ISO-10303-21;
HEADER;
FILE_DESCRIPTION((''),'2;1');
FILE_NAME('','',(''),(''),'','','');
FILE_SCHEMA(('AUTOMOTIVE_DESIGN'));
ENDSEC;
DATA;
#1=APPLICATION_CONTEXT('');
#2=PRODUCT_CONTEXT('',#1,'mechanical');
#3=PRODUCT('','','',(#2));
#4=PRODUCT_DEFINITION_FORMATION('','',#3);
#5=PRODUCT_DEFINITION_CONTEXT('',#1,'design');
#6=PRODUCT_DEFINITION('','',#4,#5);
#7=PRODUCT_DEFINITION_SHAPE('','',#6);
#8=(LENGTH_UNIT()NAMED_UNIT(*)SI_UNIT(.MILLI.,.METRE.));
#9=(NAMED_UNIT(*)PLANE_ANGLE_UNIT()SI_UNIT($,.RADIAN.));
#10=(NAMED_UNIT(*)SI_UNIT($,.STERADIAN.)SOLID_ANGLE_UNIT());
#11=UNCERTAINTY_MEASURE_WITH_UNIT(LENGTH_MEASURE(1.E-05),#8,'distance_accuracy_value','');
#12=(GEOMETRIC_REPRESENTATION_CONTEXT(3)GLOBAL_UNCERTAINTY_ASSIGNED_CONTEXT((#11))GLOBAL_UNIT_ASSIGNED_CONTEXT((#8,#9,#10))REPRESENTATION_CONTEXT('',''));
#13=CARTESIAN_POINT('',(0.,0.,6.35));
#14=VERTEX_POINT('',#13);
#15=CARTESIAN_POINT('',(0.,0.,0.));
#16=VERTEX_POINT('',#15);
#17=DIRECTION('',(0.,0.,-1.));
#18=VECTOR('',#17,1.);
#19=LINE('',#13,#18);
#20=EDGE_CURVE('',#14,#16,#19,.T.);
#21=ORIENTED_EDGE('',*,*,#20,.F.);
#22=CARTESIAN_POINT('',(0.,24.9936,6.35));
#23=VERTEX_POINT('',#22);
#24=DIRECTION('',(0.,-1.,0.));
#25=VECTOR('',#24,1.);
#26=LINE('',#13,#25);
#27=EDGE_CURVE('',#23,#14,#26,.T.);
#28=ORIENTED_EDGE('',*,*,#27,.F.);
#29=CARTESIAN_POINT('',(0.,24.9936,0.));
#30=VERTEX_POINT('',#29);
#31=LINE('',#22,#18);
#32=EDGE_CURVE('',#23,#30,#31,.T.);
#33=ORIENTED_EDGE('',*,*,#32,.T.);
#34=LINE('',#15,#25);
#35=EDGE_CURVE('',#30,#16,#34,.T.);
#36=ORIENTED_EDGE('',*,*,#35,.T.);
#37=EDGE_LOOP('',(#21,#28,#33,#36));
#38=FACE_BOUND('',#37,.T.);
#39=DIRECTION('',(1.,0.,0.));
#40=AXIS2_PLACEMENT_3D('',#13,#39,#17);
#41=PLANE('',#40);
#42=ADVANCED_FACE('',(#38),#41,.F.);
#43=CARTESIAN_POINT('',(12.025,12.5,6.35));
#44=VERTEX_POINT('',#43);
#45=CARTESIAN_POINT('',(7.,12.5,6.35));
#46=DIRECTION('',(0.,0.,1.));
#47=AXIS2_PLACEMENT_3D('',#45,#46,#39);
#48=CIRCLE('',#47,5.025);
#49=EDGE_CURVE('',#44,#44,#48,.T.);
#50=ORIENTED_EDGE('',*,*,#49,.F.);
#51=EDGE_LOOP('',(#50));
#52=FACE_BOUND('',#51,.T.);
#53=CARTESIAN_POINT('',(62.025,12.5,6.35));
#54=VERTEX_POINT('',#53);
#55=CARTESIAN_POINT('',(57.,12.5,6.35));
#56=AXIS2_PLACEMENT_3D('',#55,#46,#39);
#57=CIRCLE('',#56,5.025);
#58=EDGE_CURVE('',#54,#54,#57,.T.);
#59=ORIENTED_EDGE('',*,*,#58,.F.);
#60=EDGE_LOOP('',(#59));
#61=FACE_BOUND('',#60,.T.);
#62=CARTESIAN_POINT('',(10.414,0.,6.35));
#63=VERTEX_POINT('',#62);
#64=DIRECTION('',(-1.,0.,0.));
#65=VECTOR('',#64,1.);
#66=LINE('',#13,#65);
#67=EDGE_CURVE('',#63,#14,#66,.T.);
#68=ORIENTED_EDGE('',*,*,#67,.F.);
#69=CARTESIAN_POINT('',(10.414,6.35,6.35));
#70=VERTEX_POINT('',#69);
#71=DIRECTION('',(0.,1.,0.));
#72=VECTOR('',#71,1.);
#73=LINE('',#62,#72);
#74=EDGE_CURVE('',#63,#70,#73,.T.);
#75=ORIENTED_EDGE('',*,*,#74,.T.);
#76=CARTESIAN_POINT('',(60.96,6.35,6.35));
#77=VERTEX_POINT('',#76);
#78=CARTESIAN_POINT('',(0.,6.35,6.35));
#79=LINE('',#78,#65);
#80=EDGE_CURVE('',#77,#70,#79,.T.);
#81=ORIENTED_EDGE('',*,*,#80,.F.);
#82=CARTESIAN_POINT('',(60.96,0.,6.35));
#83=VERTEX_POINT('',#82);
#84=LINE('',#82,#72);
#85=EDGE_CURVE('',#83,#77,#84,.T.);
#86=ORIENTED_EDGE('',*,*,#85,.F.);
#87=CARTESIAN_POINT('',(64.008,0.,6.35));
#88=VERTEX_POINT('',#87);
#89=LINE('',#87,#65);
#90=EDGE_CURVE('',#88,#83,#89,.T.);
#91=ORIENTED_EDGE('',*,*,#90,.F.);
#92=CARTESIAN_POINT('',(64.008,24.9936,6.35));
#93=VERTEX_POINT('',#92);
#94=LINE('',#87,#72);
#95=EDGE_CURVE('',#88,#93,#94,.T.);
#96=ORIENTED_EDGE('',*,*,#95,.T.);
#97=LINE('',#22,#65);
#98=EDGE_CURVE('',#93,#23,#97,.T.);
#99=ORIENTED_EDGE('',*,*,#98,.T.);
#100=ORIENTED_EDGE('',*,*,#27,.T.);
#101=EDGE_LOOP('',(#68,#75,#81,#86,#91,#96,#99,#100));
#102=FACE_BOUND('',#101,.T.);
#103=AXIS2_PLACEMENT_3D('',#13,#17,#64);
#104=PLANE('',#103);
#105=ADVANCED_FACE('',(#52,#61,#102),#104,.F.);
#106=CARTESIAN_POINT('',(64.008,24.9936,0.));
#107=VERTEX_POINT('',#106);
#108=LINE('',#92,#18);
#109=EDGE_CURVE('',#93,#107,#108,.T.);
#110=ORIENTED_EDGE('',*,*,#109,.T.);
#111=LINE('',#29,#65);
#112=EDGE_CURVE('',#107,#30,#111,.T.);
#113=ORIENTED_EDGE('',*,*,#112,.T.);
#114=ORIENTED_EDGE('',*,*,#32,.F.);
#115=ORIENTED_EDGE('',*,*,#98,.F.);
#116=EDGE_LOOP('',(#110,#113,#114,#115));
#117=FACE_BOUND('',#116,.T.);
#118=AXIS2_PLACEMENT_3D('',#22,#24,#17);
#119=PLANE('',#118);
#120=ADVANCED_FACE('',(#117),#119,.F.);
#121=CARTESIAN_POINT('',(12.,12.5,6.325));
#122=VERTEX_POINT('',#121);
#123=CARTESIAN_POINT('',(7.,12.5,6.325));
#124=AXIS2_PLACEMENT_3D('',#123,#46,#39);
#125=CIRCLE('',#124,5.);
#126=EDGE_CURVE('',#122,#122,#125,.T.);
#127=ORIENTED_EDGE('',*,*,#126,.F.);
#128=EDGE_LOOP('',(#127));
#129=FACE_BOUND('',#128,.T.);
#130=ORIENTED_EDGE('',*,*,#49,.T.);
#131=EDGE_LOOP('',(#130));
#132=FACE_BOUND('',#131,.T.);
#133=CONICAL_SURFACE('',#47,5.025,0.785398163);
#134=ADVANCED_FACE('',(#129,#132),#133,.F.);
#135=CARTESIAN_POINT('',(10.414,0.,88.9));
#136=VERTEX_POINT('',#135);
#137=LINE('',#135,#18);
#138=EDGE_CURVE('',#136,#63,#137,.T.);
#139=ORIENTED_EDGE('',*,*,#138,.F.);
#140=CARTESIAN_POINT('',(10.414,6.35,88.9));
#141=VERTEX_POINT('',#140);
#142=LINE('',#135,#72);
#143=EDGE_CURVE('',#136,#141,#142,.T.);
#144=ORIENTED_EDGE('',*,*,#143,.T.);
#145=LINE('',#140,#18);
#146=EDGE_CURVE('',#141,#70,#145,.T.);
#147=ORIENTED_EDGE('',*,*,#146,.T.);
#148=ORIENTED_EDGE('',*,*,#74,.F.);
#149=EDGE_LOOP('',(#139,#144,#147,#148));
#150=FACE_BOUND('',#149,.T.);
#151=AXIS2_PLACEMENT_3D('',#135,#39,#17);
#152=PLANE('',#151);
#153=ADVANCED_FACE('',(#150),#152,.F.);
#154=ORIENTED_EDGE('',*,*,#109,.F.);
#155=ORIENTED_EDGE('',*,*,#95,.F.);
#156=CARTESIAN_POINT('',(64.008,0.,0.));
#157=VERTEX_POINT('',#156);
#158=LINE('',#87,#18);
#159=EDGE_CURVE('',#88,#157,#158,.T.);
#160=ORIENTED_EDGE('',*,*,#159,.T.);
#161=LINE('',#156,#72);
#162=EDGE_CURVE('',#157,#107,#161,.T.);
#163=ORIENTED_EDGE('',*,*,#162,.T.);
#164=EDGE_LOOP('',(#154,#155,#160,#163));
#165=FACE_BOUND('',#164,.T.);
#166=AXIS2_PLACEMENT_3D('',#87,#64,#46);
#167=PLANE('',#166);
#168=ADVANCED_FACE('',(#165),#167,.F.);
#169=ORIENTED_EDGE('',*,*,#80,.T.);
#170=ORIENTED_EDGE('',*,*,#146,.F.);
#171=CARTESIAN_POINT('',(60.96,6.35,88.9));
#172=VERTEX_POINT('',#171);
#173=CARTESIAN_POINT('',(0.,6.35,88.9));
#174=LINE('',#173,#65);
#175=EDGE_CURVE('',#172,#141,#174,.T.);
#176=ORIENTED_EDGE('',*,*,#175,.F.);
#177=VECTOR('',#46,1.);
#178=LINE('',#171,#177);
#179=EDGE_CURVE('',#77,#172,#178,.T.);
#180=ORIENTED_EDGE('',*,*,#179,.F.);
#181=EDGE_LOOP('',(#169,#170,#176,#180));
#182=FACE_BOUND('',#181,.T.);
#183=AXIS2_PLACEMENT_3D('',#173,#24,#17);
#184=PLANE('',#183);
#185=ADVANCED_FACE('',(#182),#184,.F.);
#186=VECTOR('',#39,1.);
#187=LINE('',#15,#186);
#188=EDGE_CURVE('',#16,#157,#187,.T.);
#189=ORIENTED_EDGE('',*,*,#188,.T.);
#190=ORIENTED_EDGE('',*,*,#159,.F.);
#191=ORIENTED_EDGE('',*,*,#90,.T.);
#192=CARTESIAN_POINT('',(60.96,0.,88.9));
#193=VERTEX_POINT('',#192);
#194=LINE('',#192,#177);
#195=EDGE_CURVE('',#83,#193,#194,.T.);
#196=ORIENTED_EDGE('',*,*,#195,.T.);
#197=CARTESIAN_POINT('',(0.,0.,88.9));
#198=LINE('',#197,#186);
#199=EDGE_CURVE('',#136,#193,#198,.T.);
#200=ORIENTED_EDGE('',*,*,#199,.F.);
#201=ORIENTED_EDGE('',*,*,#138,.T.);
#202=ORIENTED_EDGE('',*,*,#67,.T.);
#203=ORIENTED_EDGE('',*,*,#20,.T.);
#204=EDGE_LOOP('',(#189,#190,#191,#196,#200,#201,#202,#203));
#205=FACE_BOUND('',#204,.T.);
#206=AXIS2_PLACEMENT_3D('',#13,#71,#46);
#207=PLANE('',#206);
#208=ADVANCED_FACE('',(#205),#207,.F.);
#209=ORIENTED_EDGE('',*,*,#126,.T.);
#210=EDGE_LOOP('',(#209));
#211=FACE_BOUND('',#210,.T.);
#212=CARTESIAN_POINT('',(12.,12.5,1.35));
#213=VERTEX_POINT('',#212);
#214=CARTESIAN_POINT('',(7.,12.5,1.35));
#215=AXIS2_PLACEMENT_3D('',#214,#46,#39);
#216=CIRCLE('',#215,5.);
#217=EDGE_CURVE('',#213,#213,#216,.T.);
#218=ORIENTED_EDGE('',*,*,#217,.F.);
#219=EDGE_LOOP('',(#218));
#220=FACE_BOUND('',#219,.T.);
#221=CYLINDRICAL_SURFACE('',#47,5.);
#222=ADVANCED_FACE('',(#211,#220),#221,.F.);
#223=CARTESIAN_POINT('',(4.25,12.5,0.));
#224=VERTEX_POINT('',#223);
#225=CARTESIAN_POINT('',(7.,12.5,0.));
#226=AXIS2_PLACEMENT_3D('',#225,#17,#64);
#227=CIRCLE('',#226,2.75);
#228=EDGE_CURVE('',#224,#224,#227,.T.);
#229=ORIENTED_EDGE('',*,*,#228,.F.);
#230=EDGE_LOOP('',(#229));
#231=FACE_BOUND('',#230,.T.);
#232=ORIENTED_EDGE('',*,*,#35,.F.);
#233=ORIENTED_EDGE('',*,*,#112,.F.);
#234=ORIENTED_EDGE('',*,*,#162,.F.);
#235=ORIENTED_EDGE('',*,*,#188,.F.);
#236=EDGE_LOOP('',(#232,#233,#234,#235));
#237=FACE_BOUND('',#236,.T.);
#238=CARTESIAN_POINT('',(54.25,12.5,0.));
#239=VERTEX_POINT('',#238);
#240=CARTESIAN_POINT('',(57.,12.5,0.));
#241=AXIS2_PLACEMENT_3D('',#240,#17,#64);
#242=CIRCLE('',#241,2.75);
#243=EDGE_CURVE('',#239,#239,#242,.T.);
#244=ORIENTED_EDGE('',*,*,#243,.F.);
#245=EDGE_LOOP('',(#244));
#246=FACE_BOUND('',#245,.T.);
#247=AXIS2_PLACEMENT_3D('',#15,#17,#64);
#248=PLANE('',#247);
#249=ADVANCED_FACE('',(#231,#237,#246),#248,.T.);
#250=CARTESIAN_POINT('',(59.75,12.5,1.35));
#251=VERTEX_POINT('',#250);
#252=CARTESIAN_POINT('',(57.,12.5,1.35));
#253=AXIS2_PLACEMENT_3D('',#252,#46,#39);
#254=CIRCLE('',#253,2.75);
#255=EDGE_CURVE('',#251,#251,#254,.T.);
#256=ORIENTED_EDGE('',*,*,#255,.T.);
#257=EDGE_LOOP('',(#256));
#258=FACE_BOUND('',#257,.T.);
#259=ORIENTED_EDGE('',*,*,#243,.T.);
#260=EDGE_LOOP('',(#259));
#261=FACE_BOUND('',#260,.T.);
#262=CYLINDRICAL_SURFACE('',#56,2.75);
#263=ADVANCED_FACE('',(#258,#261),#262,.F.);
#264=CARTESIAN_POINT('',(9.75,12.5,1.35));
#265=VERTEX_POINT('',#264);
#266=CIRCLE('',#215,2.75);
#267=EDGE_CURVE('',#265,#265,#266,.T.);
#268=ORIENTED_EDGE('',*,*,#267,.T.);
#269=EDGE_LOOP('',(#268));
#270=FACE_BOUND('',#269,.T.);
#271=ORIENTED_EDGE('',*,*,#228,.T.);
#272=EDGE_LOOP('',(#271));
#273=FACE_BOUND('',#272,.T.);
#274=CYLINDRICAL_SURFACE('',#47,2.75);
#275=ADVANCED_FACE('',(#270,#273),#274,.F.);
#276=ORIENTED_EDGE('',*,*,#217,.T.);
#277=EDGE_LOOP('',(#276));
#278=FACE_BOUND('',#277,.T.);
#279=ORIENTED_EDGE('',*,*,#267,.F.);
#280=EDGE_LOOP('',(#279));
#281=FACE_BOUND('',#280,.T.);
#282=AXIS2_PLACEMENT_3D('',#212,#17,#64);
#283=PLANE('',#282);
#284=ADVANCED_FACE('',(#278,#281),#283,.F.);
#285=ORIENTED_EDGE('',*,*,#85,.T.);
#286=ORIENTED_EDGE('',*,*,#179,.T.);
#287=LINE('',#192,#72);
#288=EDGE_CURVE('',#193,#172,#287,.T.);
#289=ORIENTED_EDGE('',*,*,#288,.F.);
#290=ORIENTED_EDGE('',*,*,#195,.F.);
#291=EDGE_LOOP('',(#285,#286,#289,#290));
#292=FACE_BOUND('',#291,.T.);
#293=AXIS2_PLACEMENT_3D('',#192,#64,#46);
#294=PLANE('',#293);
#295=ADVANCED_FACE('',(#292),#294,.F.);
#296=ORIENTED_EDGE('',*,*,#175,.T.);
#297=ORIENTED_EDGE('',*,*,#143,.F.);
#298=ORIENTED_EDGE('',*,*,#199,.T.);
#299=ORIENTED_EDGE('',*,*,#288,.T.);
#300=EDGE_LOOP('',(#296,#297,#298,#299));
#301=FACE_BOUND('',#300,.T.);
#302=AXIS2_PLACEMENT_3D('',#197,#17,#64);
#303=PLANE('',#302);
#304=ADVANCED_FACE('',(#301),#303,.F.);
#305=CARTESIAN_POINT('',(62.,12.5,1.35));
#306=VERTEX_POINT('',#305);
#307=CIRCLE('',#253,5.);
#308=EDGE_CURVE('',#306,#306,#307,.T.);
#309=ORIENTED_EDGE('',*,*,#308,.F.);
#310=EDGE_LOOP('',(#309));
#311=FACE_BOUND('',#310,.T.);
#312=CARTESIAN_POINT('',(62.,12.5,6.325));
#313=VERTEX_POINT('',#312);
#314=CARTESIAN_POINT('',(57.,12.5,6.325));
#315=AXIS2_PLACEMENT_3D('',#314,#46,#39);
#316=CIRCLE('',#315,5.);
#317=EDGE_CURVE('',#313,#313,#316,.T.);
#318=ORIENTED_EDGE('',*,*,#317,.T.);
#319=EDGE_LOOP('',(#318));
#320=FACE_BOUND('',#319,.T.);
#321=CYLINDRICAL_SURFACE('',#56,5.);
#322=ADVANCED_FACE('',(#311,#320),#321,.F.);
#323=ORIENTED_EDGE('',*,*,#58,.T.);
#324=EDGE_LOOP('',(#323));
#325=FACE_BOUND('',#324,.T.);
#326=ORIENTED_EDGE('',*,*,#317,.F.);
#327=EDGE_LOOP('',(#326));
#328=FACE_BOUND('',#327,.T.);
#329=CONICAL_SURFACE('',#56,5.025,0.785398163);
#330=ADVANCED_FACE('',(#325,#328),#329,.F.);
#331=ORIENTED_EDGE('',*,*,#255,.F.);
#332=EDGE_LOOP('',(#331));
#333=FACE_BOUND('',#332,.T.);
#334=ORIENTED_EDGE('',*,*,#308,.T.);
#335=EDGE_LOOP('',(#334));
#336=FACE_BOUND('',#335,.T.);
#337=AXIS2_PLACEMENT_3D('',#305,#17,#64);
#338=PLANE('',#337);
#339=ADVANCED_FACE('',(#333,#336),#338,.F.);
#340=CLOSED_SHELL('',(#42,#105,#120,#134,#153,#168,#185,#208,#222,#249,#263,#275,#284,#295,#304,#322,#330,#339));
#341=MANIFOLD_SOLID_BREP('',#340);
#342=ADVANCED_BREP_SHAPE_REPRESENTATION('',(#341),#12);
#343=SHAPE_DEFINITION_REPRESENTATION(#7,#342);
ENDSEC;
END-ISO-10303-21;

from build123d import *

# Parameters (mm, degrees)
SKETCH1_W                     = 64.008
SKETCH1_H                     = 24.9936
BOSS_EXTRUDE1_DEPTH           = 6.35
SKETCH2_W                     = 64.008
SKETCH2_H                     = 6.35
BOSS_EXTRUDE2_DEPTH           = 82.55
CBORE_FOR_M5_SHCS1_AT_2_COUNT = 2
CBORE_FOR_M5_SHCS1_AT_2_PITCH = 50
SKETCH8_W                     = 10.414
SKETCH8_H                     = 82.55
CUT_EXTRUDE1_DEPTH            = 112.120735621
SKETCH9_W                     = 3.048
SKETCH9_H                     = 82.55
CUT_EXTRUDE3_DEPTH            = 112.120735621


with BuildPart() as part:
    # Sketch1 → Boss-Extrude1 (new body)
    with BuildSketch(Plane.XY):
        with Locations((32.004, 12.4968)):
            Rectangle(SKETCH1_W, SKETCH1_H)
    extrude(amount=BOSS_EXTRUDE1_DEPTH)

    # Sketch2 → Boss-Extrude2 (add)
    with BuildSketch(Plane.XY.offset(6.35)):
        with Locations((32.004, 3.175)):
            Rectangle(SKETCH2_W, SKETCH2_H)
    extrude(amount=BOSS_EXTRUDE2_DEPTH)

    # Sketch7 → CBORE for M5 SHCS1 (revolve, cut)
    with BuildSketch(Plane(origin=(7, 12.5, 6.35), x_dir=(0, -1, 0), z_dir=(1, 0, 0))):
        Polygon((0, 0), (0, 6.35), (2.75, 6.35), (2.75, 5), (5, 5), (5, 0.025), (5.025, 0), align=None)
    cbore_for_m5_shcs1 = revolve(axis=Axis((7, 12.5, 12.7), (0, 0, -1)), mode=Mode.SUBTRACT)

    # CBORE for M5 SHCS1 at 2: CBORE for M5 SHCS1 ×2
    with Locations(*[(i * CBORE_FOR_M5_SHCS1_AT_2_PITCH, 0, 0) for i in range(1, CBORE_FOR_M5_SHCS1_AT_2_COUNT)]):
        add(cbore_for_m5_shcs1, mode=Mode.SUBTRACT)

    # Sketch8 → Cut-Extrude1 (cut, through all)
    with BuildSketch(Plane(origin=(0, 6.35, 0), x_dir=(1, 0, 0), z_dir=(0, 1, 0))):
        with Locations((5.207, -47.625)):
            Rectangle(SKETCH8_W, SKETCH8_H)
    extrude(amount=-CUT_EXTRUDE1_DEPTH, mode=Mode.SUBTRACT)

    # Sketch9 → Cut-Extrude3 (cut, through all)
    with BuildSketch(Plane(origin=(0, 6.35, 0), x_dir=(1, 0, 0), z_dir=(0, 1, 0))):
        with Locations((62.484, -47.625)):
            Rectangle(SKETCH9_W, SKETCH9_H)
    extrude(amount=-CUT_EXTRUDE3_DEPTH, mode=Mode.SUBTRACT)


solid = part.part
